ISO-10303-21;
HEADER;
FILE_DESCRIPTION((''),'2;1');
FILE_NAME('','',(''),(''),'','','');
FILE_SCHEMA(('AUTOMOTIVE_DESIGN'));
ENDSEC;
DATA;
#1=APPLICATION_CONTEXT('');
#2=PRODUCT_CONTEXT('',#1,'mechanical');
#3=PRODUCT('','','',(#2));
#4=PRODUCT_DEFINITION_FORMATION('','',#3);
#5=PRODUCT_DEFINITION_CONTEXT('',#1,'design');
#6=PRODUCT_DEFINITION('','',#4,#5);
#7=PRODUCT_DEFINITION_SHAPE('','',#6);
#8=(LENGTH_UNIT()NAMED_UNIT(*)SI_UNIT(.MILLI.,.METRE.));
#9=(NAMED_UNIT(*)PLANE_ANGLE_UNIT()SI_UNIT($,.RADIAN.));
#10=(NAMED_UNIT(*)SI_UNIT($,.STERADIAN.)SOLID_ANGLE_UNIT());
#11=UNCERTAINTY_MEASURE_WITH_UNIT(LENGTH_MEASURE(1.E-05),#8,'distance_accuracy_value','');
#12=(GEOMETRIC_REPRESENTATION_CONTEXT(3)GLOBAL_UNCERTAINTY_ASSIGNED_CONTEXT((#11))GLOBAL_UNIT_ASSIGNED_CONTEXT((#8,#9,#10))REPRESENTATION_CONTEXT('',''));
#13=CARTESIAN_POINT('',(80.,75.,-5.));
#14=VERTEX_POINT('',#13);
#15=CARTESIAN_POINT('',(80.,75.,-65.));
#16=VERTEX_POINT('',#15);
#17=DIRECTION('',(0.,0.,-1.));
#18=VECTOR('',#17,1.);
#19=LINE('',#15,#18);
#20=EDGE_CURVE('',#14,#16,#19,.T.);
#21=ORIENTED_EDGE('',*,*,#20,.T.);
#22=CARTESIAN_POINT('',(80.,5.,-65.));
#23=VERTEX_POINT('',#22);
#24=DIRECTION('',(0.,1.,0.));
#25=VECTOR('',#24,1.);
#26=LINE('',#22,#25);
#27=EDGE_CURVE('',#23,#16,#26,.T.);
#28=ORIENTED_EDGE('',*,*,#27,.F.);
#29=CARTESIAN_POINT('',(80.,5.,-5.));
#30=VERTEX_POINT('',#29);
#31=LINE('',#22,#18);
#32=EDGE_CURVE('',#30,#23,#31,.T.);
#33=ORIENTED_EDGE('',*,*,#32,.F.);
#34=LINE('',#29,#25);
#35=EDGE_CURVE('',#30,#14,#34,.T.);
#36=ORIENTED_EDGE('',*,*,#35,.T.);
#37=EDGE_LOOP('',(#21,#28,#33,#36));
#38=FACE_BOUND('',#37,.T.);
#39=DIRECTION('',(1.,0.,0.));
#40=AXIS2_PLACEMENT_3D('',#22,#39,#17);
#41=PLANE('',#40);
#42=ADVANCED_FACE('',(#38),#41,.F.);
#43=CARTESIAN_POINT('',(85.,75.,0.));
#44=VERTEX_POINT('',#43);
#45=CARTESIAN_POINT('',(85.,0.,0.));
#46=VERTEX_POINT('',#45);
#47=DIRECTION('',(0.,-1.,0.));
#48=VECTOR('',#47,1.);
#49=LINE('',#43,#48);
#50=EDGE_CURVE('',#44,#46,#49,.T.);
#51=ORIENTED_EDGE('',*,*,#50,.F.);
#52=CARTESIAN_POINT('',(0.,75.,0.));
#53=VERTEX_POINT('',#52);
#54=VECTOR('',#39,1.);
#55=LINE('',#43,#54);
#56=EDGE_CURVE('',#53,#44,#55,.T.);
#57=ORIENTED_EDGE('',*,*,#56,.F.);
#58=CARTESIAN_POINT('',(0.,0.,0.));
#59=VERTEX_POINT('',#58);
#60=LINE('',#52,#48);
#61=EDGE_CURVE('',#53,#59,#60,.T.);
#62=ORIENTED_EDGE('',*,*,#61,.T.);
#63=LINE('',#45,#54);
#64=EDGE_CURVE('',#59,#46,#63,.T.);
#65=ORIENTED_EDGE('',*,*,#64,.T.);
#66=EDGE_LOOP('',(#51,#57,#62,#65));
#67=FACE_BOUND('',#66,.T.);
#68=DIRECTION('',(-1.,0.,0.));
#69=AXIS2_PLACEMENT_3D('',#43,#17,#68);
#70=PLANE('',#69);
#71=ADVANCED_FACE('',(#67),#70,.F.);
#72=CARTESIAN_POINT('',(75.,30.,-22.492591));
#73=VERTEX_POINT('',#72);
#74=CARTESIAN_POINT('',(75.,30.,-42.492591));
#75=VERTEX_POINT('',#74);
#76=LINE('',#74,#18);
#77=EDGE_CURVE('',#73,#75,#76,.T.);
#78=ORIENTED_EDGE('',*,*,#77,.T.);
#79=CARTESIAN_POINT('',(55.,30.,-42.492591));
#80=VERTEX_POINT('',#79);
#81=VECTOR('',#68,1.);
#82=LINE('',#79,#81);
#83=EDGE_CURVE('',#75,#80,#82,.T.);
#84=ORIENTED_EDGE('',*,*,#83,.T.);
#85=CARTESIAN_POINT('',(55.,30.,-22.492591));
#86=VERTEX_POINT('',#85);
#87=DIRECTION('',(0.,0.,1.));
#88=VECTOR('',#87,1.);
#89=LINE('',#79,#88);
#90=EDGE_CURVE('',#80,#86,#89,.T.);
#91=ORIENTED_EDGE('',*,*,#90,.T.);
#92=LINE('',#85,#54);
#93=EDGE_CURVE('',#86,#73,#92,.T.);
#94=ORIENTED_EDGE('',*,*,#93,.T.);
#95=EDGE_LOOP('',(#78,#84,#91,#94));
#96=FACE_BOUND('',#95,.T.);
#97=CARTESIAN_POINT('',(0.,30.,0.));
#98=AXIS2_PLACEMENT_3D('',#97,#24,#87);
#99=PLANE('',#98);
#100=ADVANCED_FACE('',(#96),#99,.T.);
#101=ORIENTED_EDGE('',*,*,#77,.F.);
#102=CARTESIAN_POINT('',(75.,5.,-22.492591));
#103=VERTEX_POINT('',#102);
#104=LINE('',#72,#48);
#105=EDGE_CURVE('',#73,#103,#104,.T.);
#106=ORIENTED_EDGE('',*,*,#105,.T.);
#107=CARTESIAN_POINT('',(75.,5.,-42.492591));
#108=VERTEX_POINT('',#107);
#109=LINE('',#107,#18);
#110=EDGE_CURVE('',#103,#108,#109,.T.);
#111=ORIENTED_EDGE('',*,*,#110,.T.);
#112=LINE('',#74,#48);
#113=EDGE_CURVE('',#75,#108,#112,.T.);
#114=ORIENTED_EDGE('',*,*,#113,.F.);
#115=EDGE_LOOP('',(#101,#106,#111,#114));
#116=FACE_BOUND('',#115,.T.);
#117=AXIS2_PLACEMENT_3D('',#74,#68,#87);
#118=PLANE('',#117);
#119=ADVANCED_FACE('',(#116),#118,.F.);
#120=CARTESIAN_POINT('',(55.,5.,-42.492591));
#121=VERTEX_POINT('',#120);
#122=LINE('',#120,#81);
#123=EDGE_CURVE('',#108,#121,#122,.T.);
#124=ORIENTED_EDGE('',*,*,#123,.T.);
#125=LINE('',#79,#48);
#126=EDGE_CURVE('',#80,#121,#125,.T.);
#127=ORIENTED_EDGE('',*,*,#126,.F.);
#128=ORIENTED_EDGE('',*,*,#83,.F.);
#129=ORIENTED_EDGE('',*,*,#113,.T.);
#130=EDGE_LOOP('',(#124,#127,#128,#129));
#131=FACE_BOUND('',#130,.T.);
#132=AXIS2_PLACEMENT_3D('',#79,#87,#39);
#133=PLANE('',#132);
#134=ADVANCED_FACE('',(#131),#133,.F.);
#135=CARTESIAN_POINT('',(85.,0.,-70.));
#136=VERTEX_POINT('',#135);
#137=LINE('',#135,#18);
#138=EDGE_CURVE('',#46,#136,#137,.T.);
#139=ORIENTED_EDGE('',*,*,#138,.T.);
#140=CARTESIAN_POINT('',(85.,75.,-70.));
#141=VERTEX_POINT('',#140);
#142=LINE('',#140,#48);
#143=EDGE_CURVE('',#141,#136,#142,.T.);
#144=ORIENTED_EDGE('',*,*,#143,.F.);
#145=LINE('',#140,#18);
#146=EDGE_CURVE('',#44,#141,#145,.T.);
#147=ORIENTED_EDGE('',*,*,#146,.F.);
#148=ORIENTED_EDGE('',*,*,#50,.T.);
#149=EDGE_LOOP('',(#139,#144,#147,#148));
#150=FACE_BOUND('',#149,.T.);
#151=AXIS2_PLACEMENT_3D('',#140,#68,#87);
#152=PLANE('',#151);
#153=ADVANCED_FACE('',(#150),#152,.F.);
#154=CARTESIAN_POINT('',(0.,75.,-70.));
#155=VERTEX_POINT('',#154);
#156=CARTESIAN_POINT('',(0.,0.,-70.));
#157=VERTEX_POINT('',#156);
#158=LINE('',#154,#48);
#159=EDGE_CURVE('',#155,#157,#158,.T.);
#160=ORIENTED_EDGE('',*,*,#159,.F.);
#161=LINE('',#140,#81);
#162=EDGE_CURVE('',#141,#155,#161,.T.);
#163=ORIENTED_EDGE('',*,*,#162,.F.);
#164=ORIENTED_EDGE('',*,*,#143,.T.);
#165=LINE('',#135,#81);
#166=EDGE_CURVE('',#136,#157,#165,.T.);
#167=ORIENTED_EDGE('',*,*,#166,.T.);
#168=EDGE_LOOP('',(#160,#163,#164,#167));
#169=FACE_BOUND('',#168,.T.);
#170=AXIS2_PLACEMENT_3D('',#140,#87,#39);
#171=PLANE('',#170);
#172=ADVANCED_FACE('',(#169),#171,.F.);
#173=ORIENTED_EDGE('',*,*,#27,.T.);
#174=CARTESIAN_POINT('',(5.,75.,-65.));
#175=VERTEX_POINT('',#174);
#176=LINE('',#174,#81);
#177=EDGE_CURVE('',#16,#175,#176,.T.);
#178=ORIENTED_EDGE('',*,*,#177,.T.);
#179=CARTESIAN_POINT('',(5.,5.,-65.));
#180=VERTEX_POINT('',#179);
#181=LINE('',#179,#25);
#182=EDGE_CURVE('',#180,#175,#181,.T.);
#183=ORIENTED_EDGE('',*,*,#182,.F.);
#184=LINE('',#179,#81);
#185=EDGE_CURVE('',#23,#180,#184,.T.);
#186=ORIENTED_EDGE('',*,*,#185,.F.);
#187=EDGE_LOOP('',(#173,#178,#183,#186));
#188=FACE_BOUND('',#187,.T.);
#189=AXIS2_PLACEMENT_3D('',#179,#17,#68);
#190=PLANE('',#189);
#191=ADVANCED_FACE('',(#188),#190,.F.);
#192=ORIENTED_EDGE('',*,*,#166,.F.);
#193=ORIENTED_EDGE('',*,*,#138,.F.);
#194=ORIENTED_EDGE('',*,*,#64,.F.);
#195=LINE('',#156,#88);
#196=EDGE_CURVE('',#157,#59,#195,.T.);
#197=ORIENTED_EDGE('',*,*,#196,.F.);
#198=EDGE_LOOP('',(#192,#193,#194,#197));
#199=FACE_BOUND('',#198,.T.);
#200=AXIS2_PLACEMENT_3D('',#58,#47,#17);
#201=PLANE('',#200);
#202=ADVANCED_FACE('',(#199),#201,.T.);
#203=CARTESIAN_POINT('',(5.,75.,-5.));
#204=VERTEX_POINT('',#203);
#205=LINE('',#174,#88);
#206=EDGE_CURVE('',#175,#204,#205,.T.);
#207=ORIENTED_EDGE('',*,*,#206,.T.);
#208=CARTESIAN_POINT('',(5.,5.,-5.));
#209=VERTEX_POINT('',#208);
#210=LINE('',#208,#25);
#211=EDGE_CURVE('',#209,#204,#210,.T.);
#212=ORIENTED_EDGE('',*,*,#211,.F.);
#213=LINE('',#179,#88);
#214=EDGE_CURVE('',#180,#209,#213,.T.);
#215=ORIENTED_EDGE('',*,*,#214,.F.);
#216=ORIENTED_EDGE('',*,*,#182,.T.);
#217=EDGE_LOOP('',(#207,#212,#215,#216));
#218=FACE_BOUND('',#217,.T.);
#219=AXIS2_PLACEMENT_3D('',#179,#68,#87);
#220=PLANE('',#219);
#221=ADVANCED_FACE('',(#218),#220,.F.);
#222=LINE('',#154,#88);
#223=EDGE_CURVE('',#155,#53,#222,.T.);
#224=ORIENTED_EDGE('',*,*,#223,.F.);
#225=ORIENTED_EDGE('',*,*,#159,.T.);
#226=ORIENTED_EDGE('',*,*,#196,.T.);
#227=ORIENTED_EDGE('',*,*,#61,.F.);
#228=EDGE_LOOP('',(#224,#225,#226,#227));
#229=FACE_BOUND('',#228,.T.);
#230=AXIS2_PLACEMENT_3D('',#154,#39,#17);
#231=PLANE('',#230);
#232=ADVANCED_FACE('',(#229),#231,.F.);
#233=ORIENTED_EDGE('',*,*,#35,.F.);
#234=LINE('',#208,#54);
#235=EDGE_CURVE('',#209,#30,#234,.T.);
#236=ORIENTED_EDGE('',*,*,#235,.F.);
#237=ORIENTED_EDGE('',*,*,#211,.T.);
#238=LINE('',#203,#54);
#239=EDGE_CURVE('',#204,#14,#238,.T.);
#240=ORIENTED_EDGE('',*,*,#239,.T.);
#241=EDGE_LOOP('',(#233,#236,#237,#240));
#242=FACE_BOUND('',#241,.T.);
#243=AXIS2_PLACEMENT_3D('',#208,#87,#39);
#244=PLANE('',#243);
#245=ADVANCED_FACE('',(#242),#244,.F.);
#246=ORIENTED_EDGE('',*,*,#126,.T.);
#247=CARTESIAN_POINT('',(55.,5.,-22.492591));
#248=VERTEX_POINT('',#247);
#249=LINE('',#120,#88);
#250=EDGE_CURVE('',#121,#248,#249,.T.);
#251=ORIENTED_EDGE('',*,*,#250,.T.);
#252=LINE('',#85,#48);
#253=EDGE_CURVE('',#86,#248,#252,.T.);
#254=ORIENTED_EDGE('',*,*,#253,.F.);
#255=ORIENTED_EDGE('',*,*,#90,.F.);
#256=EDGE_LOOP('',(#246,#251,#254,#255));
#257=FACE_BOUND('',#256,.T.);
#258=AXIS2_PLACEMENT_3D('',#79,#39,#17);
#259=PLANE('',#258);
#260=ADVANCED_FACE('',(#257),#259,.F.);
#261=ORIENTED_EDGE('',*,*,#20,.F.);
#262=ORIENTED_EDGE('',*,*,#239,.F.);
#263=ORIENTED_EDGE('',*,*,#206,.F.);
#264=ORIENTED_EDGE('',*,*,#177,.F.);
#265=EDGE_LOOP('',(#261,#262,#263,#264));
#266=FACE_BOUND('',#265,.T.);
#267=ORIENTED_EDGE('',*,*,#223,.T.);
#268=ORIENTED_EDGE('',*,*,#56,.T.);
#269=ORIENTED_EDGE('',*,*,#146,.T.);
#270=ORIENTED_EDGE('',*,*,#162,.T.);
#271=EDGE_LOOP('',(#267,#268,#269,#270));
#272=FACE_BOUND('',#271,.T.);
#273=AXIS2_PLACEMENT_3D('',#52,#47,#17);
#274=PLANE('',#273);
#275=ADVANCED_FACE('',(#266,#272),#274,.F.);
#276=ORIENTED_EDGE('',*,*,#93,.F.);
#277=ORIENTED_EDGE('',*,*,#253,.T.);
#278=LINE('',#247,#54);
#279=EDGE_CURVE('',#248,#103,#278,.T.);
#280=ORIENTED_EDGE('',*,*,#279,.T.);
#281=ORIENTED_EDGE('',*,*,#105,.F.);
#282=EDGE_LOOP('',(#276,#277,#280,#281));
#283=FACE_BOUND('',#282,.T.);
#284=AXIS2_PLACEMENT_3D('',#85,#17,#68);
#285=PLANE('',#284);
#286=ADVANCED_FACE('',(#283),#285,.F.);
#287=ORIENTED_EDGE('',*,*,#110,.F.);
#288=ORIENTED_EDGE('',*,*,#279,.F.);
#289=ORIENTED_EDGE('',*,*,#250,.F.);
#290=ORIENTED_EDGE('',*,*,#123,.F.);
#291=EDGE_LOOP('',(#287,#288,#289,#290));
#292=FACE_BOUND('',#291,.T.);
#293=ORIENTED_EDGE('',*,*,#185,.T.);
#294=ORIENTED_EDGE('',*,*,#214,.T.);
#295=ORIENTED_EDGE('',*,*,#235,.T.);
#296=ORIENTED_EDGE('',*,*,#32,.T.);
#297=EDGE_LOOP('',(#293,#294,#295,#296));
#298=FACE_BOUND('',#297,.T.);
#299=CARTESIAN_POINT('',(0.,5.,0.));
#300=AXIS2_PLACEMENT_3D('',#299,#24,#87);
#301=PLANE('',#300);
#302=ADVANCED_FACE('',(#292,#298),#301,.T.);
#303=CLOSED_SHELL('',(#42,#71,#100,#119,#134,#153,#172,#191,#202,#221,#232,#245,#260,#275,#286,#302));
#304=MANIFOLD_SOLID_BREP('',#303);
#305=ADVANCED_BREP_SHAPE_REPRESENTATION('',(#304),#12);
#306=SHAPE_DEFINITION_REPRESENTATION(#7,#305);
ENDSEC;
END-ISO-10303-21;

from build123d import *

# Parameters (mm, degrees)
SKETCH1_W           = 85
SKETCH1_H           = 70
BOSS_EXTRUDE1_DEPTH = 75
SKETCH2_W           = 75
SKETCH2_H           = 60
CUT_EXTRUDE1_DEPTH  = 70
SKETCH3_W           = 20
SKETCH3_H           = 20
BOSS_EXTRUDE2_DEPTH = 25


with BuildPart() as part:
    # Sketch1 → Boss-Extrude1 (new body)
    with BuildSketch(Plane(origin=(0, 0, 0), x_dir=(1, 0, 0), z_dir=(0, 1, 0))):
        with Locations((42.5, 35)):
            Rectangle(SKETCH1_W, SKETCH1_H)
    extrude(amount=BOSS_EXTRUDE1_DEPTH)

    # Sketch2 → Cut-Extrude1 (cut)
    with BuildSketch(Plane(origin=(0, 75, 0), x_dir=(1, 0, 0), z_dir=(0, 1, 0))):
        with Locations((42.5, 35)):
            Rectangle(SKETCH2_W, SKETCH2_H)
    extrude(amount=-CUT_EXTRUDE1_DEPTH, mode=Mode.SUBTRACT)

    # Sketch3 → Boss-Extrude2 (add)
    with BuildSketch(Plane(origin=(0, 5, 0), x_dir=(1, 0, 0), z_dir=(0, 1, 0))):
        with Locations((65, 32.492591032)):
            Rectangle(SKETCH3_W, SKETCH3_H)
    extrude(amount=BOSS_EXTRUDE2_DEPTH)


solid = part.part
